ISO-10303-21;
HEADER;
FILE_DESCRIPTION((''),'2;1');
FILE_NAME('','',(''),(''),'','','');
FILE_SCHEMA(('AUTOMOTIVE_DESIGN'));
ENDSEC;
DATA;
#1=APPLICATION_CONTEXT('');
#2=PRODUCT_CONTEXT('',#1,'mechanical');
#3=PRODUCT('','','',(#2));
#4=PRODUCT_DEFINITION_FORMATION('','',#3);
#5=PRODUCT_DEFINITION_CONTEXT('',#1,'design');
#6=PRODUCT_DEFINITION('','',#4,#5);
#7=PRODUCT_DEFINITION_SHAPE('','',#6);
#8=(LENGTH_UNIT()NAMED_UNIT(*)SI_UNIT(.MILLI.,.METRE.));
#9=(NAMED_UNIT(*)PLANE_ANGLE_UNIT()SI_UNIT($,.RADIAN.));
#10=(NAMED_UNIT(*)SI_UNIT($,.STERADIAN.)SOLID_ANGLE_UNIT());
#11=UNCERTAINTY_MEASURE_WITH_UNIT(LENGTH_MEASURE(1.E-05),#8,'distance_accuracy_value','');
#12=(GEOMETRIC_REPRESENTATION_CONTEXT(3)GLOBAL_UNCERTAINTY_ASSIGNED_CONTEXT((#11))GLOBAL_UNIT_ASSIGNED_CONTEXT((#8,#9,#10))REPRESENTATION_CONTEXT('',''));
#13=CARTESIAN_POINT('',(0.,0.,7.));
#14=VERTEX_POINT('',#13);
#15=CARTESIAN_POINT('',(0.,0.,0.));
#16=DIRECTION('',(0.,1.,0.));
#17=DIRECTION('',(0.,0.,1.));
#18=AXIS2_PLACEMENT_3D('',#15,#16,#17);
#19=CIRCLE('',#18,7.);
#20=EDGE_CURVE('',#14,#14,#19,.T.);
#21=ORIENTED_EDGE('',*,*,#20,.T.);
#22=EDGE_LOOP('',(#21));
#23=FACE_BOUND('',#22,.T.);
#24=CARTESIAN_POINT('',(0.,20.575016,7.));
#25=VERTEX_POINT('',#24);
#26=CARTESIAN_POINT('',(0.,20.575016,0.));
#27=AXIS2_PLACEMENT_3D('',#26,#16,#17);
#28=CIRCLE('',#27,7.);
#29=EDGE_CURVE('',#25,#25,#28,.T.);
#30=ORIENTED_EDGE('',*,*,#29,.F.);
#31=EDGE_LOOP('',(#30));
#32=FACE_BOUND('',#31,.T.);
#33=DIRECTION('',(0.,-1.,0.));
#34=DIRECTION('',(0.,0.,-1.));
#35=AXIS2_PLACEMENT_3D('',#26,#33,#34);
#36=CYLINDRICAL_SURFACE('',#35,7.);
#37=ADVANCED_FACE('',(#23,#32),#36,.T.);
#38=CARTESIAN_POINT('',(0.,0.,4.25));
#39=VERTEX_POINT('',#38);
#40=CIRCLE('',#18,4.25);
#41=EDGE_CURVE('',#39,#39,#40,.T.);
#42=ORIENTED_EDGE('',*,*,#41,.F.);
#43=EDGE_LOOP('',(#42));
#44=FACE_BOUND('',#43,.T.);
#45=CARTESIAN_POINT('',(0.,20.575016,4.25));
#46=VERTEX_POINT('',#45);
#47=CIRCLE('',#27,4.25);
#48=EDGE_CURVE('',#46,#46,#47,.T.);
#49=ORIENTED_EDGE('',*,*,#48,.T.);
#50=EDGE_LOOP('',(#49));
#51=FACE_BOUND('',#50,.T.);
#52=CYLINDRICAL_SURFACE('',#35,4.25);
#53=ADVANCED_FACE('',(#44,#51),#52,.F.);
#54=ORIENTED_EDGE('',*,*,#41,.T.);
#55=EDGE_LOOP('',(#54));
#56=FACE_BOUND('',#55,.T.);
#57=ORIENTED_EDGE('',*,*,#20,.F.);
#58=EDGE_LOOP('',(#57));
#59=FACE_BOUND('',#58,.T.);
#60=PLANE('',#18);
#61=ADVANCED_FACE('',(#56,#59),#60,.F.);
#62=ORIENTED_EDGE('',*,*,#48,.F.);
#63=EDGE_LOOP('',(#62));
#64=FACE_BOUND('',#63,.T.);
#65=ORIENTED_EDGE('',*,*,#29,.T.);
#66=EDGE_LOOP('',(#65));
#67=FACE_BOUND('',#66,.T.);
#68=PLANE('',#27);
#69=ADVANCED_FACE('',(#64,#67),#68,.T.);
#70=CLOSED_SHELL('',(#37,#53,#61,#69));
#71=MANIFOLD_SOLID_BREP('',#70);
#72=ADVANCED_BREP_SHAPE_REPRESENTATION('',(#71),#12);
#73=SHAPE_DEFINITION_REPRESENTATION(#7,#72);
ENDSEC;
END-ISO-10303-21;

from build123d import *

# Parameters (mm, degrees)
SKETCH1_R           = 7
SKETCH1_R_2         = 4.25
BOSS_EXTRUDE1_DEPTH = 20.575016


with BuildPart() as part:
    # Sketch1 → Boss-Extrude1 (new body)
    with BuildSketch(Plane(origin=(0, 0, 0), x_dir=(1, 0, 0), z_dir=(0, 1, 0))):
        Circle(SKETCH1_R)
        Circle(SKETCH1_R_2, mode=Mode.SUBTRACT)
    extrude(amount=BOSS_EXTRUDE1_DEPTH)


solid = part.part
